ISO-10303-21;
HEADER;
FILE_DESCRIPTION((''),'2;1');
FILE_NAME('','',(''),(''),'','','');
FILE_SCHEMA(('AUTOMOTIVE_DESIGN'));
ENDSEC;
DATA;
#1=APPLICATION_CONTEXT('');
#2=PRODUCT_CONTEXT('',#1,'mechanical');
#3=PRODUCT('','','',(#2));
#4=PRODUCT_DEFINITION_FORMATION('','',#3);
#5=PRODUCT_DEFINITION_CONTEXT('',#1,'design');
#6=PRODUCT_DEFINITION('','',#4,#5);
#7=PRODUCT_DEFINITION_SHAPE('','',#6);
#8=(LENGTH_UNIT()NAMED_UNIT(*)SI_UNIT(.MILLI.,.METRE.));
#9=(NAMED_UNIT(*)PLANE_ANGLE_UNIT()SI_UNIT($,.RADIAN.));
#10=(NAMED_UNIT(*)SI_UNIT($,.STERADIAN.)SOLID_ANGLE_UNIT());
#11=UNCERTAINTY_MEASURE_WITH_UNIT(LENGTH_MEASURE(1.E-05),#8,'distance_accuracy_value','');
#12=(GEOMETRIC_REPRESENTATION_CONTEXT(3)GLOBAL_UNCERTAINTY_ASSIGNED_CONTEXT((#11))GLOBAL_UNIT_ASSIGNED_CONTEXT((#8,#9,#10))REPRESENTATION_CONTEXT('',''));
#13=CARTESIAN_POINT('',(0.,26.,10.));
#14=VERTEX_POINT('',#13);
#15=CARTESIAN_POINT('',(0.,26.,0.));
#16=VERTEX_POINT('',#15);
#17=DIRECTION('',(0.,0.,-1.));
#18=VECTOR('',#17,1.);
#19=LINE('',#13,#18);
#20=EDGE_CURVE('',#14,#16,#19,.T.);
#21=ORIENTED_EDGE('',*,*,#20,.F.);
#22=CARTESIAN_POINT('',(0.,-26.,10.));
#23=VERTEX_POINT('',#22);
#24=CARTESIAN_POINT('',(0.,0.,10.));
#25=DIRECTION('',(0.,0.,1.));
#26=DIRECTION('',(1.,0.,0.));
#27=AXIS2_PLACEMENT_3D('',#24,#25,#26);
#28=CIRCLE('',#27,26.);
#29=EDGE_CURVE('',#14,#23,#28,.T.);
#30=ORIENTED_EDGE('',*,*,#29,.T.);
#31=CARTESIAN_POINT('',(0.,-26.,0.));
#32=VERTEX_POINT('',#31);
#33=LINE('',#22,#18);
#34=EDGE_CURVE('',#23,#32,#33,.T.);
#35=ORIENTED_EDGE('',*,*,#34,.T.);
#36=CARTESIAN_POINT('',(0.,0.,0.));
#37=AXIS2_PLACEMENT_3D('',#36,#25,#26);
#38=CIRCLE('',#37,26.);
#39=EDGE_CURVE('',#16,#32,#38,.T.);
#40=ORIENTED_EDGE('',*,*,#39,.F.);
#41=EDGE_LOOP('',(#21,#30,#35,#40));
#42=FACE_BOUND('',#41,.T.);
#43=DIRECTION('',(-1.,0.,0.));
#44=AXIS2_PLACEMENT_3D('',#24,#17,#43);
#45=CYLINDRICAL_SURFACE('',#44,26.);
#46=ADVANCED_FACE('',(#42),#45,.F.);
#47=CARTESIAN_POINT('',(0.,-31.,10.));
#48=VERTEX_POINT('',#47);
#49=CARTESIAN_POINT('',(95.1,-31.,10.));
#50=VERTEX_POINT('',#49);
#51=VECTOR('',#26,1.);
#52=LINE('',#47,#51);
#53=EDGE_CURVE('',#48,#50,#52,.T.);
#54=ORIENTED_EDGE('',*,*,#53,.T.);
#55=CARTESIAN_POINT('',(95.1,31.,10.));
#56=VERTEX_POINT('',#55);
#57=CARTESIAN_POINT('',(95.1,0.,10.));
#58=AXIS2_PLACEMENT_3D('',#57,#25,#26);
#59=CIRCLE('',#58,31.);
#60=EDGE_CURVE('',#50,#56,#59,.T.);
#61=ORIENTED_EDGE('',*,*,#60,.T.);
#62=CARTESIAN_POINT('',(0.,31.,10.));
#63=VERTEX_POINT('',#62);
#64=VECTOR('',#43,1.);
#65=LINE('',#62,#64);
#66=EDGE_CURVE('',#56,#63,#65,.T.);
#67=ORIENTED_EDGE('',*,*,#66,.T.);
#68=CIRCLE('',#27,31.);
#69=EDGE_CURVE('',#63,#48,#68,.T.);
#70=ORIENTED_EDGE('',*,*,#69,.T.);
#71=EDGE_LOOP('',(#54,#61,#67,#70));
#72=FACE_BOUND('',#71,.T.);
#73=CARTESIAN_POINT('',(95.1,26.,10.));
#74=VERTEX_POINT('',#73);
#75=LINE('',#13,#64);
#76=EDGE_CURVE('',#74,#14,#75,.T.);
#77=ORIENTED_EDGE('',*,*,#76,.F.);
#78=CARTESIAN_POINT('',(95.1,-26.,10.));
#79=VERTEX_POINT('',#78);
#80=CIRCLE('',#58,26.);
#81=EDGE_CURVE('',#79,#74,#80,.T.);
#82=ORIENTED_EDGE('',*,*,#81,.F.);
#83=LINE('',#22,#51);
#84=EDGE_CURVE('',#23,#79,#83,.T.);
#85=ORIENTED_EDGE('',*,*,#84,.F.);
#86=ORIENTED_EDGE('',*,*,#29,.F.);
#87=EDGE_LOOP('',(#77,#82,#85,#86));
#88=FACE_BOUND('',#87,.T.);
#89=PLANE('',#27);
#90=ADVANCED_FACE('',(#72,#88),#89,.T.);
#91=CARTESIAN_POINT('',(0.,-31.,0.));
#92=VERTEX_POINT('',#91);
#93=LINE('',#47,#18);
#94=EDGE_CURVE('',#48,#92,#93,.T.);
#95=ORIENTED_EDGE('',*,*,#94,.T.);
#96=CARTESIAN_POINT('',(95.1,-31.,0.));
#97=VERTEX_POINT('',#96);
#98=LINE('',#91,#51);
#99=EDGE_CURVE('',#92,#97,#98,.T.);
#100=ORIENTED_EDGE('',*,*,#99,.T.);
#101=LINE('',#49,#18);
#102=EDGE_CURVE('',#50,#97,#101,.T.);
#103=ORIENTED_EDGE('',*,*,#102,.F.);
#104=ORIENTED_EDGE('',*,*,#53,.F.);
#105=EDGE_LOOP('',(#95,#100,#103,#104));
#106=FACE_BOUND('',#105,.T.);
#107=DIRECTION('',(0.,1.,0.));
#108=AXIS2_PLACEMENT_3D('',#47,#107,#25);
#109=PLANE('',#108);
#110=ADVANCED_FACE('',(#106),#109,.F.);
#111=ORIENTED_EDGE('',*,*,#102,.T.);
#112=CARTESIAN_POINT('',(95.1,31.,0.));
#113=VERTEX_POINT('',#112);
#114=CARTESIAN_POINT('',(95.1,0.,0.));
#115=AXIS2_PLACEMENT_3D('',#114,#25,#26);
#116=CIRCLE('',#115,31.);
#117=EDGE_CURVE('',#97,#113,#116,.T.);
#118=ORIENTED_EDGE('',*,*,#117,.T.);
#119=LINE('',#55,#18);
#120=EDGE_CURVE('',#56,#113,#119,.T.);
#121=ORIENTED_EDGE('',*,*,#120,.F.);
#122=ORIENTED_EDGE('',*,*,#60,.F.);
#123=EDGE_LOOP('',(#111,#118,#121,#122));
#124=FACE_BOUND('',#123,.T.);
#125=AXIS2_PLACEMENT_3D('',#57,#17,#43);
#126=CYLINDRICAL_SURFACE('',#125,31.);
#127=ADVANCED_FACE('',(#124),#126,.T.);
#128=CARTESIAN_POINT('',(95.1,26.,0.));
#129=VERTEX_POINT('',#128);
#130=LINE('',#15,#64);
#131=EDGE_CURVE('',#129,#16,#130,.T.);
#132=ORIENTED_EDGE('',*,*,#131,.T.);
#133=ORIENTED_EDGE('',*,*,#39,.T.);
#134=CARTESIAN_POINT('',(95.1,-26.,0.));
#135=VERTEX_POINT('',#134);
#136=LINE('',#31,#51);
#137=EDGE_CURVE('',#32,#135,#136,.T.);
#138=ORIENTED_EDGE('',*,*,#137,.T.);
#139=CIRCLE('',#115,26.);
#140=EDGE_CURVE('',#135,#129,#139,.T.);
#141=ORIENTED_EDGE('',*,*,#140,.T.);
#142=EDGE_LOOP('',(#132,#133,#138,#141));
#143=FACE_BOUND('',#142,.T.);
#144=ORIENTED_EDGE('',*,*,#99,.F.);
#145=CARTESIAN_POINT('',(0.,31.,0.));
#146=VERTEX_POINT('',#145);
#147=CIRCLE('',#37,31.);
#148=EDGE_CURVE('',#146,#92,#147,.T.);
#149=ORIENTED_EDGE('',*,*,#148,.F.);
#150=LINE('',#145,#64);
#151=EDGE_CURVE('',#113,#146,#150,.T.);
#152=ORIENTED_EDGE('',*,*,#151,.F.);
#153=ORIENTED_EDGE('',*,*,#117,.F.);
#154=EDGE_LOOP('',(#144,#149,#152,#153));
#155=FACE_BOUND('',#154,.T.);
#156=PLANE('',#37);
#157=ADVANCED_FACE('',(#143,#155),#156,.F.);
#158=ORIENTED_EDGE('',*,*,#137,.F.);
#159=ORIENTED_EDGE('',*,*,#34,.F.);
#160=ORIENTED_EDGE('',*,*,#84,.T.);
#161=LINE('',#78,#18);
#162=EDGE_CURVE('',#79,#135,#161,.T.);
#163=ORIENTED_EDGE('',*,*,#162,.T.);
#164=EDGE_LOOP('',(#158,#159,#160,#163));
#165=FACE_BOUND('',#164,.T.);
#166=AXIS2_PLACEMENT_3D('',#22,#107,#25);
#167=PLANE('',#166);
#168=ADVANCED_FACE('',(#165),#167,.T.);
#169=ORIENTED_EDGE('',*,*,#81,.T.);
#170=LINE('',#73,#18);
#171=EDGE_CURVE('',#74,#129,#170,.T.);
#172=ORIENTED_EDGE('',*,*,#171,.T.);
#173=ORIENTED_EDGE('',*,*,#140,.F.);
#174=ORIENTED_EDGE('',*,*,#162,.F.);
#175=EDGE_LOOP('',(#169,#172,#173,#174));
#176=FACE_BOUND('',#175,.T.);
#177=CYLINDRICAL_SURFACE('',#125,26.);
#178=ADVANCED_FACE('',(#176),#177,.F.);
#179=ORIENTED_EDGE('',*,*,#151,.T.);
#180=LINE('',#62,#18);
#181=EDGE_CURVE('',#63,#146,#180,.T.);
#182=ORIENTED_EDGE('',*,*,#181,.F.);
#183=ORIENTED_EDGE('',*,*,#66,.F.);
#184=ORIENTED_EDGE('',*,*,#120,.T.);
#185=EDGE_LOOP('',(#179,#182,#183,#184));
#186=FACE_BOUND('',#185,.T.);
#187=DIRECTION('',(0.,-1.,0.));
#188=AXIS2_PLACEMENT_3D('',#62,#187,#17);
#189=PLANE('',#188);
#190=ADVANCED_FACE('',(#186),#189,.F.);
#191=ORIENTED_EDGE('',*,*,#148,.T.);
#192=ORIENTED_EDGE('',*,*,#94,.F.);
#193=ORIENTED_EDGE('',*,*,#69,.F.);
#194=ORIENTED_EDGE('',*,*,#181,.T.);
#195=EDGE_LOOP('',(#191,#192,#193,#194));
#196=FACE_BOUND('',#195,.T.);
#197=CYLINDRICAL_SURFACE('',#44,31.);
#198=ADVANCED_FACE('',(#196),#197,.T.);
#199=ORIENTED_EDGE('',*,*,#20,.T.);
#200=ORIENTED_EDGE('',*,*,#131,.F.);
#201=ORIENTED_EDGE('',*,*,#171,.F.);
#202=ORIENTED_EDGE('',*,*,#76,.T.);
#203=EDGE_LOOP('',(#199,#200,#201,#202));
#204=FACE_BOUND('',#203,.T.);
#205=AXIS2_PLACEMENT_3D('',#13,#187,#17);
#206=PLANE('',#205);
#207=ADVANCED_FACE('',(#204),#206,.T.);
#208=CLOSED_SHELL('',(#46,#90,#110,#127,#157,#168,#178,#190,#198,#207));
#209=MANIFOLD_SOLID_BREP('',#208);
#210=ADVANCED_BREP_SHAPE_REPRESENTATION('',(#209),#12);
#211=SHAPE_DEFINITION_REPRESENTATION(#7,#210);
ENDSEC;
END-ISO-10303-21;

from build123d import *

# Parameters (mm, degrees)
BOSS_EXTRUDE1_DEPTH = 10


with BuildPart() as part:
    # Sketch1 → Boss-Extrude1 (new body)
    with BuildSketch(Plane.XY):
        with BuildLine():
            Line((0, 31), (95.1, 31))
            ThreePointArc((95.1, 31), (126.1, 0), (95.1, -31))
            Line((95.1, -31), (0, -31))
            ThreePointArc((0, -31), (-31, 0), (0, 31))
        make_face()
        with BuildLine():
            Line((0, 26), (95.1, 26))
            ThreePointArc((95.1, 26), (121.1, 0), (95.1, -26))
            Line((95.1, -26), (0, -26))
            ThreePointArc((0, -26), (-26, 0), (0, 26))
        make_face(mode=Mode.SUBTRACT)
    extrude(amount=BOSS_EXTRUDE1_DEPTH)


solid = part.part
